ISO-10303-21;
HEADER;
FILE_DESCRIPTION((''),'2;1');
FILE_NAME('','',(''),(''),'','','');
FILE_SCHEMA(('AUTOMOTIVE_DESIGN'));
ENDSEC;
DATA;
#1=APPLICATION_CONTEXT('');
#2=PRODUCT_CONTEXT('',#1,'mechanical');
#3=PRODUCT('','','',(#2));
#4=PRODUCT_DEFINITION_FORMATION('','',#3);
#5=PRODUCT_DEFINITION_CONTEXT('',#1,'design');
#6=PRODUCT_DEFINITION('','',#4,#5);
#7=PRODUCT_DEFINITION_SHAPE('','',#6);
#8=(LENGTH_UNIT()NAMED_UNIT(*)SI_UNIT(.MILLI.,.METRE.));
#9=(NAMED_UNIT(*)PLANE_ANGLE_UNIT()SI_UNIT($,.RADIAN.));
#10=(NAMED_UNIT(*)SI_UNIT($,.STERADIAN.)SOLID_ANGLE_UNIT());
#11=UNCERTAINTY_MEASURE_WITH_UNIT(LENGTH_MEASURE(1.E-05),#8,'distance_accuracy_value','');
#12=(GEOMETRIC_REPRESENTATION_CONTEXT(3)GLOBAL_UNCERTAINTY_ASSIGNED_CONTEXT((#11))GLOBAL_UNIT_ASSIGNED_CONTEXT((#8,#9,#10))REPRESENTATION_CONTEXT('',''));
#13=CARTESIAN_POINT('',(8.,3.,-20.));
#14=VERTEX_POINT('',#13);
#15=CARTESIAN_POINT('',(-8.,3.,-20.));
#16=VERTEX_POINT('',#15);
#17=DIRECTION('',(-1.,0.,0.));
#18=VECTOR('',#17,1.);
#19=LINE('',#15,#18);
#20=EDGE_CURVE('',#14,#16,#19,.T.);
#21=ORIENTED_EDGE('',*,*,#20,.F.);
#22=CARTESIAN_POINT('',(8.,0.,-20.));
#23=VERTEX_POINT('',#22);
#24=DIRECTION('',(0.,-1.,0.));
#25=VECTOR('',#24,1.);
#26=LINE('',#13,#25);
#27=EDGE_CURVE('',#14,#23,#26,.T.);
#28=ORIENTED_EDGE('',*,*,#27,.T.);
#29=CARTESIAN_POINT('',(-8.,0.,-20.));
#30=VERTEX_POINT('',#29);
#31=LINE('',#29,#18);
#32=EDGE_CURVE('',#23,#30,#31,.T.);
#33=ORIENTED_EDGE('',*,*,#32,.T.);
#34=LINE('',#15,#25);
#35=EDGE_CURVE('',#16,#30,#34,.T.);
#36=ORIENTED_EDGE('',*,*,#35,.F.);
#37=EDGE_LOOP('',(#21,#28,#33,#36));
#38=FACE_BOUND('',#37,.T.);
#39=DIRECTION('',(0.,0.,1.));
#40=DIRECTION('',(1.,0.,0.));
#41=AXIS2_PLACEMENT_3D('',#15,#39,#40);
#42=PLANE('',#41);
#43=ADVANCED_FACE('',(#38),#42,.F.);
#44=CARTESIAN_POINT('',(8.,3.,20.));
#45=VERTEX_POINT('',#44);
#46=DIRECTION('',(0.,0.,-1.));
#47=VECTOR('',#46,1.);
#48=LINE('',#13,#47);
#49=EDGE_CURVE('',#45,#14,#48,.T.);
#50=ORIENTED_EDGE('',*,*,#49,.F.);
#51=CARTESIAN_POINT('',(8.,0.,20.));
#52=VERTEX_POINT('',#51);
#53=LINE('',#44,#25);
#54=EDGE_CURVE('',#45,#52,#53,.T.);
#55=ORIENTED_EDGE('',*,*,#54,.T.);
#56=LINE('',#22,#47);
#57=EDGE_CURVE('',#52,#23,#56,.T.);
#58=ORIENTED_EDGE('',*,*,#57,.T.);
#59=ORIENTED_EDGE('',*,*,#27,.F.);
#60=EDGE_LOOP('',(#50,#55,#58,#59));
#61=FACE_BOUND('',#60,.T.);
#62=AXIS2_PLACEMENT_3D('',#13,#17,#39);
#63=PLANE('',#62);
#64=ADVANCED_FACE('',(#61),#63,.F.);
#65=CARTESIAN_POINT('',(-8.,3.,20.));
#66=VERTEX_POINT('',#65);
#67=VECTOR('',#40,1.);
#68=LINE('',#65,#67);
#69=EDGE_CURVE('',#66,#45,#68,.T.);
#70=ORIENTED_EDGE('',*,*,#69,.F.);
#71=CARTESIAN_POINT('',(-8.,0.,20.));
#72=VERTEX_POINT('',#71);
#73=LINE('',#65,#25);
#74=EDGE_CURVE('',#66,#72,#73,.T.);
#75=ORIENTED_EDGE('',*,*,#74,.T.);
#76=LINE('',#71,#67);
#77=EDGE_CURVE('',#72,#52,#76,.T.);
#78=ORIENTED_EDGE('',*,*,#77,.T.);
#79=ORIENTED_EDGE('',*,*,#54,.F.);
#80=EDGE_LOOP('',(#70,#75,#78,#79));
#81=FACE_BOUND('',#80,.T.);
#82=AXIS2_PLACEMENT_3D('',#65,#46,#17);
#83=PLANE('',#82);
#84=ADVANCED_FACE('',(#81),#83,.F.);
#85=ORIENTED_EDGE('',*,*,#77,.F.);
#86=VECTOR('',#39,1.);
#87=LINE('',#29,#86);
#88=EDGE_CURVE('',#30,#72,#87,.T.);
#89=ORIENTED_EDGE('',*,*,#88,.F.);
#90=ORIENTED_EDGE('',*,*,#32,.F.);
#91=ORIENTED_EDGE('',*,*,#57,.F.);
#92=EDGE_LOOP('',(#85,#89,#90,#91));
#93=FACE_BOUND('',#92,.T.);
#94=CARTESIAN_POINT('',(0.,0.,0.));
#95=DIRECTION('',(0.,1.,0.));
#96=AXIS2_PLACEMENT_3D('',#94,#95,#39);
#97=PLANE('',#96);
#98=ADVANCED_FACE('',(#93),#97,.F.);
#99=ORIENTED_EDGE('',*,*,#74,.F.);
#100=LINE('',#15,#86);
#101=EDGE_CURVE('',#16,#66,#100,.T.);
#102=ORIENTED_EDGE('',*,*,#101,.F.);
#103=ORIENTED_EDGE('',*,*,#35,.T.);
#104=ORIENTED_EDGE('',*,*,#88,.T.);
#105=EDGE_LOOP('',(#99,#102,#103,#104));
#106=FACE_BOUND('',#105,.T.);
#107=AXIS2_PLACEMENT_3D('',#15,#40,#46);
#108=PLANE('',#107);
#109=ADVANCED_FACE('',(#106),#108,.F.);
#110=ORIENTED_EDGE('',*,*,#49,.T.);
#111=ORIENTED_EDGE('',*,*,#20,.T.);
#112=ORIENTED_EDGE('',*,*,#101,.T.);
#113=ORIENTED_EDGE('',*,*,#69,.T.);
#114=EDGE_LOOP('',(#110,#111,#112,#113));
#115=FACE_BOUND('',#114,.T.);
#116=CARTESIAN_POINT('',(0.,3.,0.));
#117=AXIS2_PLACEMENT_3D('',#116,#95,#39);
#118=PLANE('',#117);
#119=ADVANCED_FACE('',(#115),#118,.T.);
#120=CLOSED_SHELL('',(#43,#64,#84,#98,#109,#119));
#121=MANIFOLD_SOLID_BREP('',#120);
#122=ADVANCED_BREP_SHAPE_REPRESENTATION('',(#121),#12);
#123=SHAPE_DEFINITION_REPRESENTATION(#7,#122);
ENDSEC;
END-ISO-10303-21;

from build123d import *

# Parameters (mm, degrees)
SKETCH_1_W      = 16
SKETCH_1_H      = 40
EXTRUDE_1_DEPTH = 3


with BuildPart() as part:
    # 草图1 → 凸台-拉伸1 (new body)
    with BuildSketch(Plane(origin=(0, 0, 0), x_dir=(1, 0, 0), z_dir=(0, 1, 0))):
        Rectangle(SKETCH_1_W, SKETCH_1_H)
    extrude(amount=EXTRUDE_1_DEPTH)


solid = part.part
